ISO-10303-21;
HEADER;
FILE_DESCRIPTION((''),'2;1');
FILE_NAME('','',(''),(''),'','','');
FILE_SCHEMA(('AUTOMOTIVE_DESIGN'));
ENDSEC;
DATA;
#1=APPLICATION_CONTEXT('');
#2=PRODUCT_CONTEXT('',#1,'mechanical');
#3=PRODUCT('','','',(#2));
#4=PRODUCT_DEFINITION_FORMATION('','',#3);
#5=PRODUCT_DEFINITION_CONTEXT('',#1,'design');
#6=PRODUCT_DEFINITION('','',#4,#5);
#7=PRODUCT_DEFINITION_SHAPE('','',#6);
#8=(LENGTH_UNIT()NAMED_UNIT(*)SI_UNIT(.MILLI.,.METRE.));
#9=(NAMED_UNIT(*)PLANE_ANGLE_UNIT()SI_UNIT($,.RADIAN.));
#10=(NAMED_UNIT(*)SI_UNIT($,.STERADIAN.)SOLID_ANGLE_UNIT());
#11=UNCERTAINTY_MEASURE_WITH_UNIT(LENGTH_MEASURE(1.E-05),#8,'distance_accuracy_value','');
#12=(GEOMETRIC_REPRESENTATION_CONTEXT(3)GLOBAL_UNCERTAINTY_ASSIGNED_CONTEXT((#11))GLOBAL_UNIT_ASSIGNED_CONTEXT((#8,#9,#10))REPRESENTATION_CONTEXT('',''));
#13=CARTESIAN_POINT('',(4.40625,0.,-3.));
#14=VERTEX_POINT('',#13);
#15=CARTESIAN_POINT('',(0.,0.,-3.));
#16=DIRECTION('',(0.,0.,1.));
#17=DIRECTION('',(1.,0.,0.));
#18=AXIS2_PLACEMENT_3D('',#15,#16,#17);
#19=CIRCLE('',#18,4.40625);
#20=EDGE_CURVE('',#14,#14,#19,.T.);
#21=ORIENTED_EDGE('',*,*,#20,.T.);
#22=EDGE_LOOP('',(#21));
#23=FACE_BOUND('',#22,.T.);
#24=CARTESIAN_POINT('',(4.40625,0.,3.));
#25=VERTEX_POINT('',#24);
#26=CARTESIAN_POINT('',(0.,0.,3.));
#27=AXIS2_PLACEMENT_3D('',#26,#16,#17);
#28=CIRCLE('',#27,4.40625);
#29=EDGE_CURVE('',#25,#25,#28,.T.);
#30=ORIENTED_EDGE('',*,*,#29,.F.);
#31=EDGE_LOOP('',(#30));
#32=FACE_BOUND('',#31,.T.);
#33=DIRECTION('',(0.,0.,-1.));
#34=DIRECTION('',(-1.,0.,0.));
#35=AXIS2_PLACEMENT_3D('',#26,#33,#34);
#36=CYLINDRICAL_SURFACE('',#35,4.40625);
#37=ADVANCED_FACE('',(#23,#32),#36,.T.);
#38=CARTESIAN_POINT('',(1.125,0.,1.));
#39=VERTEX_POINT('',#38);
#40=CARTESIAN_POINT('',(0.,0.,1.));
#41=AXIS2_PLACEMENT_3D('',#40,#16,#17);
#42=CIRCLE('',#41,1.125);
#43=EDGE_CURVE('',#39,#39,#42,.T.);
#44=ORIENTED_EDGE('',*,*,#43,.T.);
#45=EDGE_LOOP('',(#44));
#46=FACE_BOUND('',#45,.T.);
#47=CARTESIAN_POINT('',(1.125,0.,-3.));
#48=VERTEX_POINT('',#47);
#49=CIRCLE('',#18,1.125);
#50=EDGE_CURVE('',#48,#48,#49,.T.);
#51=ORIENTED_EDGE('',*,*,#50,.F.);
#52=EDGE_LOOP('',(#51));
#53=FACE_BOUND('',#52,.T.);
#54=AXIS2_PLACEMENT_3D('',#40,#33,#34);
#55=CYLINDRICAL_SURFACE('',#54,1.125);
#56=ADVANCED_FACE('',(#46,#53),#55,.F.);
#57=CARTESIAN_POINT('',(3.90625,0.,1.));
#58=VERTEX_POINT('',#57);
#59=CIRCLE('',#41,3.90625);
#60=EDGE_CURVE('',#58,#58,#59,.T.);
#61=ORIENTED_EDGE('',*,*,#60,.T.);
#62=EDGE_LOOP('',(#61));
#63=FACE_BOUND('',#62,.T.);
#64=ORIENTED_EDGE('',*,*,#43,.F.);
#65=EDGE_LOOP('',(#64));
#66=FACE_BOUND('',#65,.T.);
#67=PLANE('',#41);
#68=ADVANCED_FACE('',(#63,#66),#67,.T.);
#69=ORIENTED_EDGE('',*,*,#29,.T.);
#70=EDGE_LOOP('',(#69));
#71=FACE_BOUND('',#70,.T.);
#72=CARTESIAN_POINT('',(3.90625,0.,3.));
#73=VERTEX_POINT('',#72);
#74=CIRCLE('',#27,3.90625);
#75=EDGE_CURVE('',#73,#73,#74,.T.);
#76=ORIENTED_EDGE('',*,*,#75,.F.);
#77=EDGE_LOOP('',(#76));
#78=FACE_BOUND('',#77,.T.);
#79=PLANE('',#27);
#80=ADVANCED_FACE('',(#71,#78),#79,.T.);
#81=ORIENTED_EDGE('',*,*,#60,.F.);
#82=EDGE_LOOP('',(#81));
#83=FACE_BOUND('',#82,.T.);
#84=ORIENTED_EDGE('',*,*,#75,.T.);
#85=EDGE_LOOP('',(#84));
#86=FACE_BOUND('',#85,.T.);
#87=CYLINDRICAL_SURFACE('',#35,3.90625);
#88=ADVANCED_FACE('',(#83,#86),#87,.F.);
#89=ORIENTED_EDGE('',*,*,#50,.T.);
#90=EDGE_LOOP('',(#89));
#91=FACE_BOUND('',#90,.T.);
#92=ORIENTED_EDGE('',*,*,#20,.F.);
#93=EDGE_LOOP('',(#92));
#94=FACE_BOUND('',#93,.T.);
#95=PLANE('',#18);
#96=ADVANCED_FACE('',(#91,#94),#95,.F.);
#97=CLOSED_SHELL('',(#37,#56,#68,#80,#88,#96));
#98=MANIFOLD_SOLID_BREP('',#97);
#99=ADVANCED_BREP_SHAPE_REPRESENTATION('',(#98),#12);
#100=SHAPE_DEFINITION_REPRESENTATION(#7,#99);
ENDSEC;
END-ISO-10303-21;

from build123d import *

# Parameters (mm, degrees)
SKETCH1_R                = 4.40625
SKETCH1_R_2              = 3.90625
BOSS_EXTRUDE1_DEPTH      = 3
BOSS_EXTRUDE2_DEPTH      = 1
BOSS_EXTRUDE2_DEPTH_BACK = 3
SKETCH1_3_R              = 4.40625
SKETCH1_3_R_2            = 1.125


with BuildPart() as part:
    # Sketch1 → Boss-Extrude1 (new body)
    with BuildSketch(Plane.XY):
        Circle(SKETCH1_R)
        Circle(SKETCH1_R_2, mode=Mode.SUBTRACT)
    extrude(amount=BOSS_EXTRUDE1_DEPTH)

    # Sketch1<3> → Boss-Extrude2 (add, two sides: drawn at the far end of the back side and taken through both)
    with BuildSketch(Plane.XY.offset(-BOSS_EXTRUDE2_DEPTH_BACK)):
        Circle(SKETCH1_3_R)
        Circle(SKETCH1_3_R_2, mode=Mode.SUBTRACT)
    extrude(amount=BOSS_EXTRUDE2_DEPTH + BOSS_EXTRUDE2_DEPTH_BACK)


solid = part.part
